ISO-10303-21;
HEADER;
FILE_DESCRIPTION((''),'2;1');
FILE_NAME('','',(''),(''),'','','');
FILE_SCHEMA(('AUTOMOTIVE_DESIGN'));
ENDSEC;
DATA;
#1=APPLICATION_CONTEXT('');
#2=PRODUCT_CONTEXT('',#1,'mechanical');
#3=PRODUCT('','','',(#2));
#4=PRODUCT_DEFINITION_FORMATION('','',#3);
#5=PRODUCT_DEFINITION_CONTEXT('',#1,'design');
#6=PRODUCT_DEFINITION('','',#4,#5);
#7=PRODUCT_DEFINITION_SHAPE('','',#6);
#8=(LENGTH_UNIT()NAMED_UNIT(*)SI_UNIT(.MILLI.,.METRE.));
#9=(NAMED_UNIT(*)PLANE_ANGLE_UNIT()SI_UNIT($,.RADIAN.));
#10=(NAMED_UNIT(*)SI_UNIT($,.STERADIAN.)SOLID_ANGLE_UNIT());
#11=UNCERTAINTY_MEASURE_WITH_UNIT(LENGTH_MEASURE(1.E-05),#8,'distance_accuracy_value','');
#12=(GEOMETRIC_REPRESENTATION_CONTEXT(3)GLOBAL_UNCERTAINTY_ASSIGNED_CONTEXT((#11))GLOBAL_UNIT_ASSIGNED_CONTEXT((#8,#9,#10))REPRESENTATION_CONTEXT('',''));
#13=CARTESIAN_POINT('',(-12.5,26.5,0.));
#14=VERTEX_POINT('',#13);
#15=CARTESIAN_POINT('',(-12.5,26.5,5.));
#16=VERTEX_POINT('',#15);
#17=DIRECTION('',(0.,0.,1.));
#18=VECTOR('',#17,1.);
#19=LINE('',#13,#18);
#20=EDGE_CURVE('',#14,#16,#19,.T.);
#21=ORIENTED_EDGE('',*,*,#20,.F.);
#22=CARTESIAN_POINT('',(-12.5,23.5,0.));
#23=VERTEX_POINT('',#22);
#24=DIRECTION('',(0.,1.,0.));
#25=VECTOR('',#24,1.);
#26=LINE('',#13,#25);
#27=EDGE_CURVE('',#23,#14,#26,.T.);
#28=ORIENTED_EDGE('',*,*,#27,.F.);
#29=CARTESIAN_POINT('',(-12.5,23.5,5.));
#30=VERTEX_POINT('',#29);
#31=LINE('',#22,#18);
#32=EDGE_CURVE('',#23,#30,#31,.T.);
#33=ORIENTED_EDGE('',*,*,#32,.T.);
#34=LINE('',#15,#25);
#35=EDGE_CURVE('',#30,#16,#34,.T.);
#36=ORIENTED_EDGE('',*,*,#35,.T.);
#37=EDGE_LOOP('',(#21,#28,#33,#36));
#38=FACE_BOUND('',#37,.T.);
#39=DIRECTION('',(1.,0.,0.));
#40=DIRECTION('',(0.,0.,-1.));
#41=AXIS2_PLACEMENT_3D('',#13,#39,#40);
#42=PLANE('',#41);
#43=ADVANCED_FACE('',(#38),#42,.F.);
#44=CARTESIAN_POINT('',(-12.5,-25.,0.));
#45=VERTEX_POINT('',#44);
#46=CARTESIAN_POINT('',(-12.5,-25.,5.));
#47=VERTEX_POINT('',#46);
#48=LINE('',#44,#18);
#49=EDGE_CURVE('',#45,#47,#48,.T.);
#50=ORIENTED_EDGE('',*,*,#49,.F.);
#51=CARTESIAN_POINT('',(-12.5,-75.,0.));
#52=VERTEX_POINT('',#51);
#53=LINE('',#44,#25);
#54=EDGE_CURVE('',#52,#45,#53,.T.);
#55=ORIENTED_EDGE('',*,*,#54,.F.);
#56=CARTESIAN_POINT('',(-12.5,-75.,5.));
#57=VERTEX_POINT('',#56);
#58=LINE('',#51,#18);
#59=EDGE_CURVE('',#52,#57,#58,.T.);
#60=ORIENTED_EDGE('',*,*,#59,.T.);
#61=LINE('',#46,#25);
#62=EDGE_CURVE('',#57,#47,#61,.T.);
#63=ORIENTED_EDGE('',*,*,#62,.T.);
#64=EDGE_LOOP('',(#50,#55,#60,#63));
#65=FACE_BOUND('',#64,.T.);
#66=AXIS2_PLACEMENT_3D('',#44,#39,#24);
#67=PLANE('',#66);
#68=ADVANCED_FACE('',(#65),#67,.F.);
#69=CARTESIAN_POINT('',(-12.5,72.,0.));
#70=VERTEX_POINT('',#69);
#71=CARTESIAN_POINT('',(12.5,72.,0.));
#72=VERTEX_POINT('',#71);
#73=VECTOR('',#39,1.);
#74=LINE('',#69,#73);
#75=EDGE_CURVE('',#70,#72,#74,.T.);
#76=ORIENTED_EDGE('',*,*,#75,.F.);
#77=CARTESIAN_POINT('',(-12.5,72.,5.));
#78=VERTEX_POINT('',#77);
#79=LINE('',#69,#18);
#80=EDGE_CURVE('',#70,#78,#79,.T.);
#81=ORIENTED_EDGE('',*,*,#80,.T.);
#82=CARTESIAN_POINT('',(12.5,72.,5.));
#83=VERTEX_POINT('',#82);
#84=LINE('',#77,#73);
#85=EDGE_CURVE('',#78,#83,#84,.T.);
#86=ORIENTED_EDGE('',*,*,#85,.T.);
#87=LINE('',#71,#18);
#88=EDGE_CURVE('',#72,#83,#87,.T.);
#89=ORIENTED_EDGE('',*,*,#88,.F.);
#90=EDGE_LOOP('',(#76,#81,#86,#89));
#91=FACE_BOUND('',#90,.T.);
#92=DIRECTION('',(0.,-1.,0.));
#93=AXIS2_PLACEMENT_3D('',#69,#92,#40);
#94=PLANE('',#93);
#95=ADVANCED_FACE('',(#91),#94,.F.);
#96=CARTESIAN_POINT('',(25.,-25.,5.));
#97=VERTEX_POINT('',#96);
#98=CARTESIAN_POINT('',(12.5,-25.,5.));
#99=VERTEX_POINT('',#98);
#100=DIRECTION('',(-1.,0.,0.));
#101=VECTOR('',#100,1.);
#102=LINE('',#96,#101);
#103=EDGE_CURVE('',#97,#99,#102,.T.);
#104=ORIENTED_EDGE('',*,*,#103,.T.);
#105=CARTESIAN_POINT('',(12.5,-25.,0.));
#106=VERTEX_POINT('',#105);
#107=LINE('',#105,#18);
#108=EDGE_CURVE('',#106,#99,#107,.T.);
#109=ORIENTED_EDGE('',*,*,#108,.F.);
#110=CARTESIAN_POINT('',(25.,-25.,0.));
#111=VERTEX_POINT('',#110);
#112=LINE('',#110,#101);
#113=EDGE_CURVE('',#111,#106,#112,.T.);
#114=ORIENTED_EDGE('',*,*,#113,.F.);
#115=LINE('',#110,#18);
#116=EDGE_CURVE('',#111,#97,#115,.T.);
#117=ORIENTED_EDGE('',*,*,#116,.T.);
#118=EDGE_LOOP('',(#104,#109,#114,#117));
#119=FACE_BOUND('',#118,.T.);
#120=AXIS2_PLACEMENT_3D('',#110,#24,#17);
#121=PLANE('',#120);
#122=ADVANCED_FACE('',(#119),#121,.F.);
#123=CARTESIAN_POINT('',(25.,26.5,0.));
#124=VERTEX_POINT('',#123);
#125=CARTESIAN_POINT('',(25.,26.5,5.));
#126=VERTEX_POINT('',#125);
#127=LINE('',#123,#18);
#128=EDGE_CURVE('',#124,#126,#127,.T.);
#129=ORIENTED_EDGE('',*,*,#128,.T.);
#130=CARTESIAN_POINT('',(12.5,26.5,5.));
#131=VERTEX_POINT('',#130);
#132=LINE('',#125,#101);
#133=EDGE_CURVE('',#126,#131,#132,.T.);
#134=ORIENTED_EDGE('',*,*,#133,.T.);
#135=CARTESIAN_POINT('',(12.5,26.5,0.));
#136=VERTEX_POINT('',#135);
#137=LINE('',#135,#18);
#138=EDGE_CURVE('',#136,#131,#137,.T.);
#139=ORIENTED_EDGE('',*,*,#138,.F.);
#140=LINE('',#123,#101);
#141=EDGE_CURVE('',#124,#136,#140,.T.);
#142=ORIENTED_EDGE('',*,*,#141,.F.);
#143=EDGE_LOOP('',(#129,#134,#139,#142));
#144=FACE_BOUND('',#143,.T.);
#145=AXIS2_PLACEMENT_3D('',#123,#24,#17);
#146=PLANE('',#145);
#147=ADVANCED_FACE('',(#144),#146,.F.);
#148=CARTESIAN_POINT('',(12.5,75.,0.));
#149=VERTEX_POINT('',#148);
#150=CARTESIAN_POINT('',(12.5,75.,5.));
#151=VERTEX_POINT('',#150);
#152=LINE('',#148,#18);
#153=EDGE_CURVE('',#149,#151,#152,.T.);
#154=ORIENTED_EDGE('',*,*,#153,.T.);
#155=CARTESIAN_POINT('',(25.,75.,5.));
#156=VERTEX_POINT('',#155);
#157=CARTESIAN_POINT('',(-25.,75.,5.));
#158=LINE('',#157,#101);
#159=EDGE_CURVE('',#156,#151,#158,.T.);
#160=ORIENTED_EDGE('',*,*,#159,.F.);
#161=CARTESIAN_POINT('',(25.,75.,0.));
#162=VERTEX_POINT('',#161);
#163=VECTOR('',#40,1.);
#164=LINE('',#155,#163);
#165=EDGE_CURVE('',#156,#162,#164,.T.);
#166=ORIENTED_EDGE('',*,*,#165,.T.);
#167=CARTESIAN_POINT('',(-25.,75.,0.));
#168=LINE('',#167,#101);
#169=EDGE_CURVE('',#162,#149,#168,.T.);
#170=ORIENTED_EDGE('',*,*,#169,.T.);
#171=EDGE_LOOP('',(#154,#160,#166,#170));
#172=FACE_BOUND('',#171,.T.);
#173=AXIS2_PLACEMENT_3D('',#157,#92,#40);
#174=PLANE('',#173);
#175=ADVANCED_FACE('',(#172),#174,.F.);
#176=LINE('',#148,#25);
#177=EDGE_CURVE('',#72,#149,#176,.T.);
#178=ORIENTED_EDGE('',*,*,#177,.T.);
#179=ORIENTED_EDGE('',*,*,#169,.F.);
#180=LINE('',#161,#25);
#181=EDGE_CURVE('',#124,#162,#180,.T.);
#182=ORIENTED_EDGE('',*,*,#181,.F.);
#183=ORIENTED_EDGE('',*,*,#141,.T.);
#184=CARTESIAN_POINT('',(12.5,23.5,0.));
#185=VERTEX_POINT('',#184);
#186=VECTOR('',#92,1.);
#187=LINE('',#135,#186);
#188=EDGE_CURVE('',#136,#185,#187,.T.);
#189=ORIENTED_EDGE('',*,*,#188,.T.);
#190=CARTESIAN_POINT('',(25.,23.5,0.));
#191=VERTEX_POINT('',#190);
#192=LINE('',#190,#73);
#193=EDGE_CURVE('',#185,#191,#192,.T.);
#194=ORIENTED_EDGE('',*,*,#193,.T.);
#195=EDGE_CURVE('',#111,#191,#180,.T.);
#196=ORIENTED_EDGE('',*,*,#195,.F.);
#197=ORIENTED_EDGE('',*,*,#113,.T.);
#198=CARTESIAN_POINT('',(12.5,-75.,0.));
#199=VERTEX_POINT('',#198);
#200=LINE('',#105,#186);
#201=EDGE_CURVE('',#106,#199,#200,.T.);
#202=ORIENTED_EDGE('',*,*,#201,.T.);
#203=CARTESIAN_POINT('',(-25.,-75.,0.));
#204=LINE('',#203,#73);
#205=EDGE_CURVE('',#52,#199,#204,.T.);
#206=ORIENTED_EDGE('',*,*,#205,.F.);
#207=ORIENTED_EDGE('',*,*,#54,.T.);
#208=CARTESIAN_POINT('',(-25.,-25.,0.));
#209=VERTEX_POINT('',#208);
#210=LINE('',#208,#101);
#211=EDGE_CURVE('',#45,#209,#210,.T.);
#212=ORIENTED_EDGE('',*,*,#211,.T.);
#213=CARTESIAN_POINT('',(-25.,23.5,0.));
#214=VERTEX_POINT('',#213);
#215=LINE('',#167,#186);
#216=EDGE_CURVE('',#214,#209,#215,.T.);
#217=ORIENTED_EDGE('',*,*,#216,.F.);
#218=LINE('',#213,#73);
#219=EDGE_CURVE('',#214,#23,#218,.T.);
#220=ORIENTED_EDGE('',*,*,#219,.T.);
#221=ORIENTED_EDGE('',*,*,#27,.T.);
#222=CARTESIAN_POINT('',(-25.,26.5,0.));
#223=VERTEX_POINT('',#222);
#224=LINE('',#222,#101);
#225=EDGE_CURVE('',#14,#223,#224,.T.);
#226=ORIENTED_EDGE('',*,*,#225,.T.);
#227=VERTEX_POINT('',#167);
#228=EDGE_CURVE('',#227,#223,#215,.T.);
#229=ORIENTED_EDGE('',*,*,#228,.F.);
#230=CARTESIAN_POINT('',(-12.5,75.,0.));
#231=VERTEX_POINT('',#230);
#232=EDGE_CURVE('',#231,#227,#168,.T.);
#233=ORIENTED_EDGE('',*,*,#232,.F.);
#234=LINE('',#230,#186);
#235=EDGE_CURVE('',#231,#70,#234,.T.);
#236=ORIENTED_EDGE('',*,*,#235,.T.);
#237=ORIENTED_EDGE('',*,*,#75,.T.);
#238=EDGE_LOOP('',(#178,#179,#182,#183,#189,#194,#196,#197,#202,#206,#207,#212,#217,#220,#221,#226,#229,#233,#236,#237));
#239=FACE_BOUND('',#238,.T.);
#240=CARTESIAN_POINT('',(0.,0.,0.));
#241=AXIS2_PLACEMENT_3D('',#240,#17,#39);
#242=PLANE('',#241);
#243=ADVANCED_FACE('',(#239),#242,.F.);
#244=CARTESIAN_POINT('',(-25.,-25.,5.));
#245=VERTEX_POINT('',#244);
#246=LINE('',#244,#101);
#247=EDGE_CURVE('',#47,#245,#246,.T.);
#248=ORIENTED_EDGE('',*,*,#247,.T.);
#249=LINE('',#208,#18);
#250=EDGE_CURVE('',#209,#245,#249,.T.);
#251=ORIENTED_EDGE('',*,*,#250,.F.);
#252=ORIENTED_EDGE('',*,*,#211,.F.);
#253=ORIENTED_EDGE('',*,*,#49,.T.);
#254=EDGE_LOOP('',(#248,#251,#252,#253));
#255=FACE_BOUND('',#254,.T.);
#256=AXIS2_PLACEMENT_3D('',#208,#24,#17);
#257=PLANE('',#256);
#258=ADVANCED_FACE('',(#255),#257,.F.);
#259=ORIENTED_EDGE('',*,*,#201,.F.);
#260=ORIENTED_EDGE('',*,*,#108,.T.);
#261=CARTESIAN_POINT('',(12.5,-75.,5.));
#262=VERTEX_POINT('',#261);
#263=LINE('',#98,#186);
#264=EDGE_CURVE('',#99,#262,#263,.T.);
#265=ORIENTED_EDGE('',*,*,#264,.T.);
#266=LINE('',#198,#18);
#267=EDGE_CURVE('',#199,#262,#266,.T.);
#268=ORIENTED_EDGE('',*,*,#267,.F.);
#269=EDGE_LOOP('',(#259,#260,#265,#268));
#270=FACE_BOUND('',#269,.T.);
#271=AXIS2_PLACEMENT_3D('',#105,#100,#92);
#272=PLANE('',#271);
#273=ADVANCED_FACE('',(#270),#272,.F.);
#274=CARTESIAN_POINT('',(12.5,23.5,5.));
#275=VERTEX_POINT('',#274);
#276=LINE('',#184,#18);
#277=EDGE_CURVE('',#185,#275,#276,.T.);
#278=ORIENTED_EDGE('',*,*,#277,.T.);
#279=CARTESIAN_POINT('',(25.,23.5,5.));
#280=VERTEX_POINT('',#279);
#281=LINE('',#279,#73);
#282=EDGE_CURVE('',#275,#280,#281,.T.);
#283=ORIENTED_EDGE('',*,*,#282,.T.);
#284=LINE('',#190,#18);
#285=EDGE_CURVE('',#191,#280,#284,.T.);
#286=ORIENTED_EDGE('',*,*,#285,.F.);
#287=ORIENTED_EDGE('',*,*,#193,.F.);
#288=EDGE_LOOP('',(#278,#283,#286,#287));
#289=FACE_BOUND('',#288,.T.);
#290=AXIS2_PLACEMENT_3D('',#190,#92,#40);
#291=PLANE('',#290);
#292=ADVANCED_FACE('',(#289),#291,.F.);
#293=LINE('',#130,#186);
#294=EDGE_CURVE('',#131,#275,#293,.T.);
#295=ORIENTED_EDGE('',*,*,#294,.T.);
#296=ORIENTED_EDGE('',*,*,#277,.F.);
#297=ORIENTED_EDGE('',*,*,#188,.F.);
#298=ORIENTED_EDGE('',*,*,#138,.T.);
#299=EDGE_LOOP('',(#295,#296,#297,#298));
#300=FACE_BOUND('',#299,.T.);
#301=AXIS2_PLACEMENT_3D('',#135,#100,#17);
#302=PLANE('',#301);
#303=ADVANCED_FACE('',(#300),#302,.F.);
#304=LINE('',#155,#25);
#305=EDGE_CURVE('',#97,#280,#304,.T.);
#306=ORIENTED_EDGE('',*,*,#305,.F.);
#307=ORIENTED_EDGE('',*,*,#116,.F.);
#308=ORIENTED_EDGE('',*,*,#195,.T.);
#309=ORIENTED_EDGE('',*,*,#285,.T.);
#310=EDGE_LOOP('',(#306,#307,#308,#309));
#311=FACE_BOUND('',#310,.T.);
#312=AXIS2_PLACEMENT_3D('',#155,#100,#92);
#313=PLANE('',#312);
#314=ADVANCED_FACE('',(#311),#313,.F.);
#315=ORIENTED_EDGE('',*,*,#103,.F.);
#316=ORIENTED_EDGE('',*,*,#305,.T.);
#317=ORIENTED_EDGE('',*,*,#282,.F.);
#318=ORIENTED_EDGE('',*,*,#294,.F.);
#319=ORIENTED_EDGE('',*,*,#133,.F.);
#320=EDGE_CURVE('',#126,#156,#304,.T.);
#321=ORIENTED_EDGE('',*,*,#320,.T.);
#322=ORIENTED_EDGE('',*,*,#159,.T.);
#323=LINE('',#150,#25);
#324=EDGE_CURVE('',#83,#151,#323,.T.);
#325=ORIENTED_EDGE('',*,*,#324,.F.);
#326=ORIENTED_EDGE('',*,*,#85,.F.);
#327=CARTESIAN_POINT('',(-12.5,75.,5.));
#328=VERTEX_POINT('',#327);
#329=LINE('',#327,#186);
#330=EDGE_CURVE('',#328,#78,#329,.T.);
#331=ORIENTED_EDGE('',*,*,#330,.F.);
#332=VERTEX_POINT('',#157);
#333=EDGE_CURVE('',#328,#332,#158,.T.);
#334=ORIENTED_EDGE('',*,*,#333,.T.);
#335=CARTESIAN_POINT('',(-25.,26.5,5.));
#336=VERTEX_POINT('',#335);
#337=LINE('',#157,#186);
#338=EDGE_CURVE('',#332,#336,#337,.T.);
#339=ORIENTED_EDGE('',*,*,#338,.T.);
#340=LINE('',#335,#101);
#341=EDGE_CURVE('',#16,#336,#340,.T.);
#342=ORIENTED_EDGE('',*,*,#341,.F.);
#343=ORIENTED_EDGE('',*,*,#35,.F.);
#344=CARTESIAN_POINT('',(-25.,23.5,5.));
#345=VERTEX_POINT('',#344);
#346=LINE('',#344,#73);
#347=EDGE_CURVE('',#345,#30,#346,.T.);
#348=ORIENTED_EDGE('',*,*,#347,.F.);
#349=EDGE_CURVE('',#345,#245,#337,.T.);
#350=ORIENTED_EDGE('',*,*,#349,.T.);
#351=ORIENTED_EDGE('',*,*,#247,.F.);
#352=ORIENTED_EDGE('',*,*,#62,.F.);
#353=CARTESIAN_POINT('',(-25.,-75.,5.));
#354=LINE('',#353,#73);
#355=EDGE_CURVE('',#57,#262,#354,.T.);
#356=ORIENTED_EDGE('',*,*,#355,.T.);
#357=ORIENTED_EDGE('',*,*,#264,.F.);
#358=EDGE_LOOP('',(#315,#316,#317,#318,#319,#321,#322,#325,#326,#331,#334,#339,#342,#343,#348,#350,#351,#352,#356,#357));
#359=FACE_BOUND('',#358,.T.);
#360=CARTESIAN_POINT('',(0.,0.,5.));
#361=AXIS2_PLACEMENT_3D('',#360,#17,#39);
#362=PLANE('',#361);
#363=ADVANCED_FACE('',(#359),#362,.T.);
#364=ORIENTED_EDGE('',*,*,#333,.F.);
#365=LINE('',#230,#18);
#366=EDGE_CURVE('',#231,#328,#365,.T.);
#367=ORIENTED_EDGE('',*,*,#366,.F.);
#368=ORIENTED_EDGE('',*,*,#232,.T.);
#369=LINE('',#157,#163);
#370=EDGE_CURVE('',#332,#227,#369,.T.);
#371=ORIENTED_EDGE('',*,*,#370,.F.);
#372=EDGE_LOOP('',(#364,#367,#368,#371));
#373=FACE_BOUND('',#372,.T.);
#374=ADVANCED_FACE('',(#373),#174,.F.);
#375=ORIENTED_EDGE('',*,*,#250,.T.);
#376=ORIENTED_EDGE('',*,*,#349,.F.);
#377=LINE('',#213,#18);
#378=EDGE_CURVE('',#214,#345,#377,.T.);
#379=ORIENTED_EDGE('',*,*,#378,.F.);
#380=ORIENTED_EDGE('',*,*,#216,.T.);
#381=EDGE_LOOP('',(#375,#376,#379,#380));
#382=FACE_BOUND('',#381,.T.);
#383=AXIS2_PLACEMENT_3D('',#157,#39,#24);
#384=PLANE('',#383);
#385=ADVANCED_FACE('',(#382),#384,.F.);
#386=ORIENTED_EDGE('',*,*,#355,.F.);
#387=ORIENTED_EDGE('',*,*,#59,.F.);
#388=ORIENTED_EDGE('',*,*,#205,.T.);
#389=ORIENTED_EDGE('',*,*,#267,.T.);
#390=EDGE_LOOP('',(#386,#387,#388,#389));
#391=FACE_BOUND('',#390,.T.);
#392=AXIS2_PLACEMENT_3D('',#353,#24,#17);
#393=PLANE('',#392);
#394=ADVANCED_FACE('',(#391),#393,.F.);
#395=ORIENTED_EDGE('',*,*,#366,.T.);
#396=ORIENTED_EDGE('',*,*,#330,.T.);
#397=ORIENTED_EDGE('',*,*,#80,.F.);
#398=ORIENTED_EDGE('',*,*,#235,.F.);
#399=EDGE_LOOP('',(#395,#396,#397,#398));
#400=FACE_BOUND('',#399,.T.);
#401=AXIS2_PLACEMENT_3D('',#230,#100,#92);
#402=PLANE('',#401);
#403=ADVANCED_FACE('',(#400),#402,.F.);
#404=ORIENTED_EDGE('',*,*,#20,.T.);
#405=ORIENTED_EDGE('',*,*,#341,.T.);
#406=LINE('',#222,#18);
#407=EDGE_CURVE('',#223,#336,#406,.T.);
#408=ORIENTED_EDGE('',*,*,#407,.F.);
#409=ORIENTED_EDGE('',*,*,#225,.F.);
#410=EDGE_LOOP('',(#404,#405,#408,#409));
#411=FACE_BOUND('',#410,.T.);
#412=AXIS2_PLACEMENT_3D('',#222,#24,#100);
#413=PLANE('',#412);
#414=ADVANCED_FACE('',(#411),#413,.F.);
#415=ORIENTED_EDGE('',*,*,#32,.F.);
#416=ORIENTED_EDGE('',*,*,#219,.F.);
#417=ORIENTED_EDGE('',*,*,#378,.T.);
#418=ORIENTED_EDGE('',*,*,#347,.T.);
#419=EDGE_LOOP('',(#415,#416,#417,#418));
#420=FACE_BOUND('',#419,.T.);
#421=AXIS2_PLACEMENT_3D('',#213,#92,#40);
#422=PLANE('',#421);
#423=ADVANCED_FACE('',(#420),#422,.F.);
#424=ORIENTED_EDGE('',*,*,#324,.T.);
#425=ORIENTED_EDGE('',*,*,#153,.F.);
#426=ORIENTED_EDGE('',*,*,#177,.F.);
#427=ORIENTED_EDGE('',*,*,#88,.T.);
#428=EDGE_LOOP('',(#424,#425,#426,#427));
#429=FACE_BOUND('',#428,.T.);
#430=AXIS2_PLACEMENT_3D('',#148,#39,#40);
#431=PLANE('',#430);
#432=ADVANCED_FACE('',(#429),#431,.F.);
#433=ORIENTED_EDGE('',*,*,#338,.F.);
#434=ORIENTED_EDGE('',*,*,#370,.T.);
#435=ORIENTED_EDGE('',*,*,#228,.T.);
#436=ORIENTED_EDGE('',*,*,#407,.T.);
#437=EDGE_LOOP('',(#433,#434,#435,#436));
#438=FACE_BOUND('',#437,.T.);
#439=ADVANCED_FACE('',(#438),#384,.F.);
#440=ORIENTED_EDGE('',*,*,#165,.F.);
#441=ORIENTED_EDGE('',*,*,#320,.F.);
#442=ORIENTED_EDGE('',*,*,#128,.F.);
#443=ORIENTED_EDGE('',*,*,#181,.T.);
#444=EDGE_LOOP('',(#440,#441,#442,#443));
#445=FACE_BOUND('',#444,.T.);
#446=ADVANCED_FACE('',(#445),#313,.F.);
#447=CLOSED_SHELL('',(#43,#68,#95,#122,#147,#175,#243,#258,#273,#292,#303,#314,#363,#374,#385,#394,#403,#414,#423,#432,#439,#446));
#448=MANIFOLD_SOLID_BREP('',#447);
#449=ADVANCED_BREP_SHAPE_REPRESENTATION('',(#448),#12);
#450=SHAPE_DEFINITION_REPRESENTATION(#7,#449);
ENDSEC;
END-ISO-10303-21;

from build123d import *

# Parameters (mm, degrees)
SKETCH2_W           = 50
SKETCH2_H           = 150
BOSS_EXTRUDE1_DEPTH = 5
SKETCH3_W           = 25
SKETCH3_H           = 3
SKETCH3_W_2         = 12.5
SKETCH3_H_2         = 50
CUT_EXTRUDE1_DEPTH  = 5


with BuildPart() as part:
    # Sketch2 → Boss-Extrude1 (new body)
    with BuildSketch(Plane.XY):
        Rectangle(SKETCH2_W, SKETCH2_H)
    extrude(amount=BOSS_EXTRUDE1_DEPTH)

    # Sketch3 → Cut-Extrude1 (cut)
    with BuildSketch(Plane.XY.offset(5)):
        with Locations((0, 73.5)):
            Rectangle(SKETCH3_W, SKETCH3_H)
        with Locations((-18.75, 25)):
            Rectangle(SKETCH3_W_2, SKETCH3_H)
        with Locations((18.75, 25)):
            Rectangle(SKETCH3_W_2, SKETCH3_H)
        with Locations((18.75, -50)):
            Rectangle(SKETCH3_W_2, SKETCH3_H_2)
        with Locations((-18.75, -50)):
            Rectangle(SKETCH3_W_2, SKETCH3_H_2)
    extrude(amount=-CUT_EXTRUDE1_DEPTH, mode=Mode.SUBTRACT)


solid = part.part
